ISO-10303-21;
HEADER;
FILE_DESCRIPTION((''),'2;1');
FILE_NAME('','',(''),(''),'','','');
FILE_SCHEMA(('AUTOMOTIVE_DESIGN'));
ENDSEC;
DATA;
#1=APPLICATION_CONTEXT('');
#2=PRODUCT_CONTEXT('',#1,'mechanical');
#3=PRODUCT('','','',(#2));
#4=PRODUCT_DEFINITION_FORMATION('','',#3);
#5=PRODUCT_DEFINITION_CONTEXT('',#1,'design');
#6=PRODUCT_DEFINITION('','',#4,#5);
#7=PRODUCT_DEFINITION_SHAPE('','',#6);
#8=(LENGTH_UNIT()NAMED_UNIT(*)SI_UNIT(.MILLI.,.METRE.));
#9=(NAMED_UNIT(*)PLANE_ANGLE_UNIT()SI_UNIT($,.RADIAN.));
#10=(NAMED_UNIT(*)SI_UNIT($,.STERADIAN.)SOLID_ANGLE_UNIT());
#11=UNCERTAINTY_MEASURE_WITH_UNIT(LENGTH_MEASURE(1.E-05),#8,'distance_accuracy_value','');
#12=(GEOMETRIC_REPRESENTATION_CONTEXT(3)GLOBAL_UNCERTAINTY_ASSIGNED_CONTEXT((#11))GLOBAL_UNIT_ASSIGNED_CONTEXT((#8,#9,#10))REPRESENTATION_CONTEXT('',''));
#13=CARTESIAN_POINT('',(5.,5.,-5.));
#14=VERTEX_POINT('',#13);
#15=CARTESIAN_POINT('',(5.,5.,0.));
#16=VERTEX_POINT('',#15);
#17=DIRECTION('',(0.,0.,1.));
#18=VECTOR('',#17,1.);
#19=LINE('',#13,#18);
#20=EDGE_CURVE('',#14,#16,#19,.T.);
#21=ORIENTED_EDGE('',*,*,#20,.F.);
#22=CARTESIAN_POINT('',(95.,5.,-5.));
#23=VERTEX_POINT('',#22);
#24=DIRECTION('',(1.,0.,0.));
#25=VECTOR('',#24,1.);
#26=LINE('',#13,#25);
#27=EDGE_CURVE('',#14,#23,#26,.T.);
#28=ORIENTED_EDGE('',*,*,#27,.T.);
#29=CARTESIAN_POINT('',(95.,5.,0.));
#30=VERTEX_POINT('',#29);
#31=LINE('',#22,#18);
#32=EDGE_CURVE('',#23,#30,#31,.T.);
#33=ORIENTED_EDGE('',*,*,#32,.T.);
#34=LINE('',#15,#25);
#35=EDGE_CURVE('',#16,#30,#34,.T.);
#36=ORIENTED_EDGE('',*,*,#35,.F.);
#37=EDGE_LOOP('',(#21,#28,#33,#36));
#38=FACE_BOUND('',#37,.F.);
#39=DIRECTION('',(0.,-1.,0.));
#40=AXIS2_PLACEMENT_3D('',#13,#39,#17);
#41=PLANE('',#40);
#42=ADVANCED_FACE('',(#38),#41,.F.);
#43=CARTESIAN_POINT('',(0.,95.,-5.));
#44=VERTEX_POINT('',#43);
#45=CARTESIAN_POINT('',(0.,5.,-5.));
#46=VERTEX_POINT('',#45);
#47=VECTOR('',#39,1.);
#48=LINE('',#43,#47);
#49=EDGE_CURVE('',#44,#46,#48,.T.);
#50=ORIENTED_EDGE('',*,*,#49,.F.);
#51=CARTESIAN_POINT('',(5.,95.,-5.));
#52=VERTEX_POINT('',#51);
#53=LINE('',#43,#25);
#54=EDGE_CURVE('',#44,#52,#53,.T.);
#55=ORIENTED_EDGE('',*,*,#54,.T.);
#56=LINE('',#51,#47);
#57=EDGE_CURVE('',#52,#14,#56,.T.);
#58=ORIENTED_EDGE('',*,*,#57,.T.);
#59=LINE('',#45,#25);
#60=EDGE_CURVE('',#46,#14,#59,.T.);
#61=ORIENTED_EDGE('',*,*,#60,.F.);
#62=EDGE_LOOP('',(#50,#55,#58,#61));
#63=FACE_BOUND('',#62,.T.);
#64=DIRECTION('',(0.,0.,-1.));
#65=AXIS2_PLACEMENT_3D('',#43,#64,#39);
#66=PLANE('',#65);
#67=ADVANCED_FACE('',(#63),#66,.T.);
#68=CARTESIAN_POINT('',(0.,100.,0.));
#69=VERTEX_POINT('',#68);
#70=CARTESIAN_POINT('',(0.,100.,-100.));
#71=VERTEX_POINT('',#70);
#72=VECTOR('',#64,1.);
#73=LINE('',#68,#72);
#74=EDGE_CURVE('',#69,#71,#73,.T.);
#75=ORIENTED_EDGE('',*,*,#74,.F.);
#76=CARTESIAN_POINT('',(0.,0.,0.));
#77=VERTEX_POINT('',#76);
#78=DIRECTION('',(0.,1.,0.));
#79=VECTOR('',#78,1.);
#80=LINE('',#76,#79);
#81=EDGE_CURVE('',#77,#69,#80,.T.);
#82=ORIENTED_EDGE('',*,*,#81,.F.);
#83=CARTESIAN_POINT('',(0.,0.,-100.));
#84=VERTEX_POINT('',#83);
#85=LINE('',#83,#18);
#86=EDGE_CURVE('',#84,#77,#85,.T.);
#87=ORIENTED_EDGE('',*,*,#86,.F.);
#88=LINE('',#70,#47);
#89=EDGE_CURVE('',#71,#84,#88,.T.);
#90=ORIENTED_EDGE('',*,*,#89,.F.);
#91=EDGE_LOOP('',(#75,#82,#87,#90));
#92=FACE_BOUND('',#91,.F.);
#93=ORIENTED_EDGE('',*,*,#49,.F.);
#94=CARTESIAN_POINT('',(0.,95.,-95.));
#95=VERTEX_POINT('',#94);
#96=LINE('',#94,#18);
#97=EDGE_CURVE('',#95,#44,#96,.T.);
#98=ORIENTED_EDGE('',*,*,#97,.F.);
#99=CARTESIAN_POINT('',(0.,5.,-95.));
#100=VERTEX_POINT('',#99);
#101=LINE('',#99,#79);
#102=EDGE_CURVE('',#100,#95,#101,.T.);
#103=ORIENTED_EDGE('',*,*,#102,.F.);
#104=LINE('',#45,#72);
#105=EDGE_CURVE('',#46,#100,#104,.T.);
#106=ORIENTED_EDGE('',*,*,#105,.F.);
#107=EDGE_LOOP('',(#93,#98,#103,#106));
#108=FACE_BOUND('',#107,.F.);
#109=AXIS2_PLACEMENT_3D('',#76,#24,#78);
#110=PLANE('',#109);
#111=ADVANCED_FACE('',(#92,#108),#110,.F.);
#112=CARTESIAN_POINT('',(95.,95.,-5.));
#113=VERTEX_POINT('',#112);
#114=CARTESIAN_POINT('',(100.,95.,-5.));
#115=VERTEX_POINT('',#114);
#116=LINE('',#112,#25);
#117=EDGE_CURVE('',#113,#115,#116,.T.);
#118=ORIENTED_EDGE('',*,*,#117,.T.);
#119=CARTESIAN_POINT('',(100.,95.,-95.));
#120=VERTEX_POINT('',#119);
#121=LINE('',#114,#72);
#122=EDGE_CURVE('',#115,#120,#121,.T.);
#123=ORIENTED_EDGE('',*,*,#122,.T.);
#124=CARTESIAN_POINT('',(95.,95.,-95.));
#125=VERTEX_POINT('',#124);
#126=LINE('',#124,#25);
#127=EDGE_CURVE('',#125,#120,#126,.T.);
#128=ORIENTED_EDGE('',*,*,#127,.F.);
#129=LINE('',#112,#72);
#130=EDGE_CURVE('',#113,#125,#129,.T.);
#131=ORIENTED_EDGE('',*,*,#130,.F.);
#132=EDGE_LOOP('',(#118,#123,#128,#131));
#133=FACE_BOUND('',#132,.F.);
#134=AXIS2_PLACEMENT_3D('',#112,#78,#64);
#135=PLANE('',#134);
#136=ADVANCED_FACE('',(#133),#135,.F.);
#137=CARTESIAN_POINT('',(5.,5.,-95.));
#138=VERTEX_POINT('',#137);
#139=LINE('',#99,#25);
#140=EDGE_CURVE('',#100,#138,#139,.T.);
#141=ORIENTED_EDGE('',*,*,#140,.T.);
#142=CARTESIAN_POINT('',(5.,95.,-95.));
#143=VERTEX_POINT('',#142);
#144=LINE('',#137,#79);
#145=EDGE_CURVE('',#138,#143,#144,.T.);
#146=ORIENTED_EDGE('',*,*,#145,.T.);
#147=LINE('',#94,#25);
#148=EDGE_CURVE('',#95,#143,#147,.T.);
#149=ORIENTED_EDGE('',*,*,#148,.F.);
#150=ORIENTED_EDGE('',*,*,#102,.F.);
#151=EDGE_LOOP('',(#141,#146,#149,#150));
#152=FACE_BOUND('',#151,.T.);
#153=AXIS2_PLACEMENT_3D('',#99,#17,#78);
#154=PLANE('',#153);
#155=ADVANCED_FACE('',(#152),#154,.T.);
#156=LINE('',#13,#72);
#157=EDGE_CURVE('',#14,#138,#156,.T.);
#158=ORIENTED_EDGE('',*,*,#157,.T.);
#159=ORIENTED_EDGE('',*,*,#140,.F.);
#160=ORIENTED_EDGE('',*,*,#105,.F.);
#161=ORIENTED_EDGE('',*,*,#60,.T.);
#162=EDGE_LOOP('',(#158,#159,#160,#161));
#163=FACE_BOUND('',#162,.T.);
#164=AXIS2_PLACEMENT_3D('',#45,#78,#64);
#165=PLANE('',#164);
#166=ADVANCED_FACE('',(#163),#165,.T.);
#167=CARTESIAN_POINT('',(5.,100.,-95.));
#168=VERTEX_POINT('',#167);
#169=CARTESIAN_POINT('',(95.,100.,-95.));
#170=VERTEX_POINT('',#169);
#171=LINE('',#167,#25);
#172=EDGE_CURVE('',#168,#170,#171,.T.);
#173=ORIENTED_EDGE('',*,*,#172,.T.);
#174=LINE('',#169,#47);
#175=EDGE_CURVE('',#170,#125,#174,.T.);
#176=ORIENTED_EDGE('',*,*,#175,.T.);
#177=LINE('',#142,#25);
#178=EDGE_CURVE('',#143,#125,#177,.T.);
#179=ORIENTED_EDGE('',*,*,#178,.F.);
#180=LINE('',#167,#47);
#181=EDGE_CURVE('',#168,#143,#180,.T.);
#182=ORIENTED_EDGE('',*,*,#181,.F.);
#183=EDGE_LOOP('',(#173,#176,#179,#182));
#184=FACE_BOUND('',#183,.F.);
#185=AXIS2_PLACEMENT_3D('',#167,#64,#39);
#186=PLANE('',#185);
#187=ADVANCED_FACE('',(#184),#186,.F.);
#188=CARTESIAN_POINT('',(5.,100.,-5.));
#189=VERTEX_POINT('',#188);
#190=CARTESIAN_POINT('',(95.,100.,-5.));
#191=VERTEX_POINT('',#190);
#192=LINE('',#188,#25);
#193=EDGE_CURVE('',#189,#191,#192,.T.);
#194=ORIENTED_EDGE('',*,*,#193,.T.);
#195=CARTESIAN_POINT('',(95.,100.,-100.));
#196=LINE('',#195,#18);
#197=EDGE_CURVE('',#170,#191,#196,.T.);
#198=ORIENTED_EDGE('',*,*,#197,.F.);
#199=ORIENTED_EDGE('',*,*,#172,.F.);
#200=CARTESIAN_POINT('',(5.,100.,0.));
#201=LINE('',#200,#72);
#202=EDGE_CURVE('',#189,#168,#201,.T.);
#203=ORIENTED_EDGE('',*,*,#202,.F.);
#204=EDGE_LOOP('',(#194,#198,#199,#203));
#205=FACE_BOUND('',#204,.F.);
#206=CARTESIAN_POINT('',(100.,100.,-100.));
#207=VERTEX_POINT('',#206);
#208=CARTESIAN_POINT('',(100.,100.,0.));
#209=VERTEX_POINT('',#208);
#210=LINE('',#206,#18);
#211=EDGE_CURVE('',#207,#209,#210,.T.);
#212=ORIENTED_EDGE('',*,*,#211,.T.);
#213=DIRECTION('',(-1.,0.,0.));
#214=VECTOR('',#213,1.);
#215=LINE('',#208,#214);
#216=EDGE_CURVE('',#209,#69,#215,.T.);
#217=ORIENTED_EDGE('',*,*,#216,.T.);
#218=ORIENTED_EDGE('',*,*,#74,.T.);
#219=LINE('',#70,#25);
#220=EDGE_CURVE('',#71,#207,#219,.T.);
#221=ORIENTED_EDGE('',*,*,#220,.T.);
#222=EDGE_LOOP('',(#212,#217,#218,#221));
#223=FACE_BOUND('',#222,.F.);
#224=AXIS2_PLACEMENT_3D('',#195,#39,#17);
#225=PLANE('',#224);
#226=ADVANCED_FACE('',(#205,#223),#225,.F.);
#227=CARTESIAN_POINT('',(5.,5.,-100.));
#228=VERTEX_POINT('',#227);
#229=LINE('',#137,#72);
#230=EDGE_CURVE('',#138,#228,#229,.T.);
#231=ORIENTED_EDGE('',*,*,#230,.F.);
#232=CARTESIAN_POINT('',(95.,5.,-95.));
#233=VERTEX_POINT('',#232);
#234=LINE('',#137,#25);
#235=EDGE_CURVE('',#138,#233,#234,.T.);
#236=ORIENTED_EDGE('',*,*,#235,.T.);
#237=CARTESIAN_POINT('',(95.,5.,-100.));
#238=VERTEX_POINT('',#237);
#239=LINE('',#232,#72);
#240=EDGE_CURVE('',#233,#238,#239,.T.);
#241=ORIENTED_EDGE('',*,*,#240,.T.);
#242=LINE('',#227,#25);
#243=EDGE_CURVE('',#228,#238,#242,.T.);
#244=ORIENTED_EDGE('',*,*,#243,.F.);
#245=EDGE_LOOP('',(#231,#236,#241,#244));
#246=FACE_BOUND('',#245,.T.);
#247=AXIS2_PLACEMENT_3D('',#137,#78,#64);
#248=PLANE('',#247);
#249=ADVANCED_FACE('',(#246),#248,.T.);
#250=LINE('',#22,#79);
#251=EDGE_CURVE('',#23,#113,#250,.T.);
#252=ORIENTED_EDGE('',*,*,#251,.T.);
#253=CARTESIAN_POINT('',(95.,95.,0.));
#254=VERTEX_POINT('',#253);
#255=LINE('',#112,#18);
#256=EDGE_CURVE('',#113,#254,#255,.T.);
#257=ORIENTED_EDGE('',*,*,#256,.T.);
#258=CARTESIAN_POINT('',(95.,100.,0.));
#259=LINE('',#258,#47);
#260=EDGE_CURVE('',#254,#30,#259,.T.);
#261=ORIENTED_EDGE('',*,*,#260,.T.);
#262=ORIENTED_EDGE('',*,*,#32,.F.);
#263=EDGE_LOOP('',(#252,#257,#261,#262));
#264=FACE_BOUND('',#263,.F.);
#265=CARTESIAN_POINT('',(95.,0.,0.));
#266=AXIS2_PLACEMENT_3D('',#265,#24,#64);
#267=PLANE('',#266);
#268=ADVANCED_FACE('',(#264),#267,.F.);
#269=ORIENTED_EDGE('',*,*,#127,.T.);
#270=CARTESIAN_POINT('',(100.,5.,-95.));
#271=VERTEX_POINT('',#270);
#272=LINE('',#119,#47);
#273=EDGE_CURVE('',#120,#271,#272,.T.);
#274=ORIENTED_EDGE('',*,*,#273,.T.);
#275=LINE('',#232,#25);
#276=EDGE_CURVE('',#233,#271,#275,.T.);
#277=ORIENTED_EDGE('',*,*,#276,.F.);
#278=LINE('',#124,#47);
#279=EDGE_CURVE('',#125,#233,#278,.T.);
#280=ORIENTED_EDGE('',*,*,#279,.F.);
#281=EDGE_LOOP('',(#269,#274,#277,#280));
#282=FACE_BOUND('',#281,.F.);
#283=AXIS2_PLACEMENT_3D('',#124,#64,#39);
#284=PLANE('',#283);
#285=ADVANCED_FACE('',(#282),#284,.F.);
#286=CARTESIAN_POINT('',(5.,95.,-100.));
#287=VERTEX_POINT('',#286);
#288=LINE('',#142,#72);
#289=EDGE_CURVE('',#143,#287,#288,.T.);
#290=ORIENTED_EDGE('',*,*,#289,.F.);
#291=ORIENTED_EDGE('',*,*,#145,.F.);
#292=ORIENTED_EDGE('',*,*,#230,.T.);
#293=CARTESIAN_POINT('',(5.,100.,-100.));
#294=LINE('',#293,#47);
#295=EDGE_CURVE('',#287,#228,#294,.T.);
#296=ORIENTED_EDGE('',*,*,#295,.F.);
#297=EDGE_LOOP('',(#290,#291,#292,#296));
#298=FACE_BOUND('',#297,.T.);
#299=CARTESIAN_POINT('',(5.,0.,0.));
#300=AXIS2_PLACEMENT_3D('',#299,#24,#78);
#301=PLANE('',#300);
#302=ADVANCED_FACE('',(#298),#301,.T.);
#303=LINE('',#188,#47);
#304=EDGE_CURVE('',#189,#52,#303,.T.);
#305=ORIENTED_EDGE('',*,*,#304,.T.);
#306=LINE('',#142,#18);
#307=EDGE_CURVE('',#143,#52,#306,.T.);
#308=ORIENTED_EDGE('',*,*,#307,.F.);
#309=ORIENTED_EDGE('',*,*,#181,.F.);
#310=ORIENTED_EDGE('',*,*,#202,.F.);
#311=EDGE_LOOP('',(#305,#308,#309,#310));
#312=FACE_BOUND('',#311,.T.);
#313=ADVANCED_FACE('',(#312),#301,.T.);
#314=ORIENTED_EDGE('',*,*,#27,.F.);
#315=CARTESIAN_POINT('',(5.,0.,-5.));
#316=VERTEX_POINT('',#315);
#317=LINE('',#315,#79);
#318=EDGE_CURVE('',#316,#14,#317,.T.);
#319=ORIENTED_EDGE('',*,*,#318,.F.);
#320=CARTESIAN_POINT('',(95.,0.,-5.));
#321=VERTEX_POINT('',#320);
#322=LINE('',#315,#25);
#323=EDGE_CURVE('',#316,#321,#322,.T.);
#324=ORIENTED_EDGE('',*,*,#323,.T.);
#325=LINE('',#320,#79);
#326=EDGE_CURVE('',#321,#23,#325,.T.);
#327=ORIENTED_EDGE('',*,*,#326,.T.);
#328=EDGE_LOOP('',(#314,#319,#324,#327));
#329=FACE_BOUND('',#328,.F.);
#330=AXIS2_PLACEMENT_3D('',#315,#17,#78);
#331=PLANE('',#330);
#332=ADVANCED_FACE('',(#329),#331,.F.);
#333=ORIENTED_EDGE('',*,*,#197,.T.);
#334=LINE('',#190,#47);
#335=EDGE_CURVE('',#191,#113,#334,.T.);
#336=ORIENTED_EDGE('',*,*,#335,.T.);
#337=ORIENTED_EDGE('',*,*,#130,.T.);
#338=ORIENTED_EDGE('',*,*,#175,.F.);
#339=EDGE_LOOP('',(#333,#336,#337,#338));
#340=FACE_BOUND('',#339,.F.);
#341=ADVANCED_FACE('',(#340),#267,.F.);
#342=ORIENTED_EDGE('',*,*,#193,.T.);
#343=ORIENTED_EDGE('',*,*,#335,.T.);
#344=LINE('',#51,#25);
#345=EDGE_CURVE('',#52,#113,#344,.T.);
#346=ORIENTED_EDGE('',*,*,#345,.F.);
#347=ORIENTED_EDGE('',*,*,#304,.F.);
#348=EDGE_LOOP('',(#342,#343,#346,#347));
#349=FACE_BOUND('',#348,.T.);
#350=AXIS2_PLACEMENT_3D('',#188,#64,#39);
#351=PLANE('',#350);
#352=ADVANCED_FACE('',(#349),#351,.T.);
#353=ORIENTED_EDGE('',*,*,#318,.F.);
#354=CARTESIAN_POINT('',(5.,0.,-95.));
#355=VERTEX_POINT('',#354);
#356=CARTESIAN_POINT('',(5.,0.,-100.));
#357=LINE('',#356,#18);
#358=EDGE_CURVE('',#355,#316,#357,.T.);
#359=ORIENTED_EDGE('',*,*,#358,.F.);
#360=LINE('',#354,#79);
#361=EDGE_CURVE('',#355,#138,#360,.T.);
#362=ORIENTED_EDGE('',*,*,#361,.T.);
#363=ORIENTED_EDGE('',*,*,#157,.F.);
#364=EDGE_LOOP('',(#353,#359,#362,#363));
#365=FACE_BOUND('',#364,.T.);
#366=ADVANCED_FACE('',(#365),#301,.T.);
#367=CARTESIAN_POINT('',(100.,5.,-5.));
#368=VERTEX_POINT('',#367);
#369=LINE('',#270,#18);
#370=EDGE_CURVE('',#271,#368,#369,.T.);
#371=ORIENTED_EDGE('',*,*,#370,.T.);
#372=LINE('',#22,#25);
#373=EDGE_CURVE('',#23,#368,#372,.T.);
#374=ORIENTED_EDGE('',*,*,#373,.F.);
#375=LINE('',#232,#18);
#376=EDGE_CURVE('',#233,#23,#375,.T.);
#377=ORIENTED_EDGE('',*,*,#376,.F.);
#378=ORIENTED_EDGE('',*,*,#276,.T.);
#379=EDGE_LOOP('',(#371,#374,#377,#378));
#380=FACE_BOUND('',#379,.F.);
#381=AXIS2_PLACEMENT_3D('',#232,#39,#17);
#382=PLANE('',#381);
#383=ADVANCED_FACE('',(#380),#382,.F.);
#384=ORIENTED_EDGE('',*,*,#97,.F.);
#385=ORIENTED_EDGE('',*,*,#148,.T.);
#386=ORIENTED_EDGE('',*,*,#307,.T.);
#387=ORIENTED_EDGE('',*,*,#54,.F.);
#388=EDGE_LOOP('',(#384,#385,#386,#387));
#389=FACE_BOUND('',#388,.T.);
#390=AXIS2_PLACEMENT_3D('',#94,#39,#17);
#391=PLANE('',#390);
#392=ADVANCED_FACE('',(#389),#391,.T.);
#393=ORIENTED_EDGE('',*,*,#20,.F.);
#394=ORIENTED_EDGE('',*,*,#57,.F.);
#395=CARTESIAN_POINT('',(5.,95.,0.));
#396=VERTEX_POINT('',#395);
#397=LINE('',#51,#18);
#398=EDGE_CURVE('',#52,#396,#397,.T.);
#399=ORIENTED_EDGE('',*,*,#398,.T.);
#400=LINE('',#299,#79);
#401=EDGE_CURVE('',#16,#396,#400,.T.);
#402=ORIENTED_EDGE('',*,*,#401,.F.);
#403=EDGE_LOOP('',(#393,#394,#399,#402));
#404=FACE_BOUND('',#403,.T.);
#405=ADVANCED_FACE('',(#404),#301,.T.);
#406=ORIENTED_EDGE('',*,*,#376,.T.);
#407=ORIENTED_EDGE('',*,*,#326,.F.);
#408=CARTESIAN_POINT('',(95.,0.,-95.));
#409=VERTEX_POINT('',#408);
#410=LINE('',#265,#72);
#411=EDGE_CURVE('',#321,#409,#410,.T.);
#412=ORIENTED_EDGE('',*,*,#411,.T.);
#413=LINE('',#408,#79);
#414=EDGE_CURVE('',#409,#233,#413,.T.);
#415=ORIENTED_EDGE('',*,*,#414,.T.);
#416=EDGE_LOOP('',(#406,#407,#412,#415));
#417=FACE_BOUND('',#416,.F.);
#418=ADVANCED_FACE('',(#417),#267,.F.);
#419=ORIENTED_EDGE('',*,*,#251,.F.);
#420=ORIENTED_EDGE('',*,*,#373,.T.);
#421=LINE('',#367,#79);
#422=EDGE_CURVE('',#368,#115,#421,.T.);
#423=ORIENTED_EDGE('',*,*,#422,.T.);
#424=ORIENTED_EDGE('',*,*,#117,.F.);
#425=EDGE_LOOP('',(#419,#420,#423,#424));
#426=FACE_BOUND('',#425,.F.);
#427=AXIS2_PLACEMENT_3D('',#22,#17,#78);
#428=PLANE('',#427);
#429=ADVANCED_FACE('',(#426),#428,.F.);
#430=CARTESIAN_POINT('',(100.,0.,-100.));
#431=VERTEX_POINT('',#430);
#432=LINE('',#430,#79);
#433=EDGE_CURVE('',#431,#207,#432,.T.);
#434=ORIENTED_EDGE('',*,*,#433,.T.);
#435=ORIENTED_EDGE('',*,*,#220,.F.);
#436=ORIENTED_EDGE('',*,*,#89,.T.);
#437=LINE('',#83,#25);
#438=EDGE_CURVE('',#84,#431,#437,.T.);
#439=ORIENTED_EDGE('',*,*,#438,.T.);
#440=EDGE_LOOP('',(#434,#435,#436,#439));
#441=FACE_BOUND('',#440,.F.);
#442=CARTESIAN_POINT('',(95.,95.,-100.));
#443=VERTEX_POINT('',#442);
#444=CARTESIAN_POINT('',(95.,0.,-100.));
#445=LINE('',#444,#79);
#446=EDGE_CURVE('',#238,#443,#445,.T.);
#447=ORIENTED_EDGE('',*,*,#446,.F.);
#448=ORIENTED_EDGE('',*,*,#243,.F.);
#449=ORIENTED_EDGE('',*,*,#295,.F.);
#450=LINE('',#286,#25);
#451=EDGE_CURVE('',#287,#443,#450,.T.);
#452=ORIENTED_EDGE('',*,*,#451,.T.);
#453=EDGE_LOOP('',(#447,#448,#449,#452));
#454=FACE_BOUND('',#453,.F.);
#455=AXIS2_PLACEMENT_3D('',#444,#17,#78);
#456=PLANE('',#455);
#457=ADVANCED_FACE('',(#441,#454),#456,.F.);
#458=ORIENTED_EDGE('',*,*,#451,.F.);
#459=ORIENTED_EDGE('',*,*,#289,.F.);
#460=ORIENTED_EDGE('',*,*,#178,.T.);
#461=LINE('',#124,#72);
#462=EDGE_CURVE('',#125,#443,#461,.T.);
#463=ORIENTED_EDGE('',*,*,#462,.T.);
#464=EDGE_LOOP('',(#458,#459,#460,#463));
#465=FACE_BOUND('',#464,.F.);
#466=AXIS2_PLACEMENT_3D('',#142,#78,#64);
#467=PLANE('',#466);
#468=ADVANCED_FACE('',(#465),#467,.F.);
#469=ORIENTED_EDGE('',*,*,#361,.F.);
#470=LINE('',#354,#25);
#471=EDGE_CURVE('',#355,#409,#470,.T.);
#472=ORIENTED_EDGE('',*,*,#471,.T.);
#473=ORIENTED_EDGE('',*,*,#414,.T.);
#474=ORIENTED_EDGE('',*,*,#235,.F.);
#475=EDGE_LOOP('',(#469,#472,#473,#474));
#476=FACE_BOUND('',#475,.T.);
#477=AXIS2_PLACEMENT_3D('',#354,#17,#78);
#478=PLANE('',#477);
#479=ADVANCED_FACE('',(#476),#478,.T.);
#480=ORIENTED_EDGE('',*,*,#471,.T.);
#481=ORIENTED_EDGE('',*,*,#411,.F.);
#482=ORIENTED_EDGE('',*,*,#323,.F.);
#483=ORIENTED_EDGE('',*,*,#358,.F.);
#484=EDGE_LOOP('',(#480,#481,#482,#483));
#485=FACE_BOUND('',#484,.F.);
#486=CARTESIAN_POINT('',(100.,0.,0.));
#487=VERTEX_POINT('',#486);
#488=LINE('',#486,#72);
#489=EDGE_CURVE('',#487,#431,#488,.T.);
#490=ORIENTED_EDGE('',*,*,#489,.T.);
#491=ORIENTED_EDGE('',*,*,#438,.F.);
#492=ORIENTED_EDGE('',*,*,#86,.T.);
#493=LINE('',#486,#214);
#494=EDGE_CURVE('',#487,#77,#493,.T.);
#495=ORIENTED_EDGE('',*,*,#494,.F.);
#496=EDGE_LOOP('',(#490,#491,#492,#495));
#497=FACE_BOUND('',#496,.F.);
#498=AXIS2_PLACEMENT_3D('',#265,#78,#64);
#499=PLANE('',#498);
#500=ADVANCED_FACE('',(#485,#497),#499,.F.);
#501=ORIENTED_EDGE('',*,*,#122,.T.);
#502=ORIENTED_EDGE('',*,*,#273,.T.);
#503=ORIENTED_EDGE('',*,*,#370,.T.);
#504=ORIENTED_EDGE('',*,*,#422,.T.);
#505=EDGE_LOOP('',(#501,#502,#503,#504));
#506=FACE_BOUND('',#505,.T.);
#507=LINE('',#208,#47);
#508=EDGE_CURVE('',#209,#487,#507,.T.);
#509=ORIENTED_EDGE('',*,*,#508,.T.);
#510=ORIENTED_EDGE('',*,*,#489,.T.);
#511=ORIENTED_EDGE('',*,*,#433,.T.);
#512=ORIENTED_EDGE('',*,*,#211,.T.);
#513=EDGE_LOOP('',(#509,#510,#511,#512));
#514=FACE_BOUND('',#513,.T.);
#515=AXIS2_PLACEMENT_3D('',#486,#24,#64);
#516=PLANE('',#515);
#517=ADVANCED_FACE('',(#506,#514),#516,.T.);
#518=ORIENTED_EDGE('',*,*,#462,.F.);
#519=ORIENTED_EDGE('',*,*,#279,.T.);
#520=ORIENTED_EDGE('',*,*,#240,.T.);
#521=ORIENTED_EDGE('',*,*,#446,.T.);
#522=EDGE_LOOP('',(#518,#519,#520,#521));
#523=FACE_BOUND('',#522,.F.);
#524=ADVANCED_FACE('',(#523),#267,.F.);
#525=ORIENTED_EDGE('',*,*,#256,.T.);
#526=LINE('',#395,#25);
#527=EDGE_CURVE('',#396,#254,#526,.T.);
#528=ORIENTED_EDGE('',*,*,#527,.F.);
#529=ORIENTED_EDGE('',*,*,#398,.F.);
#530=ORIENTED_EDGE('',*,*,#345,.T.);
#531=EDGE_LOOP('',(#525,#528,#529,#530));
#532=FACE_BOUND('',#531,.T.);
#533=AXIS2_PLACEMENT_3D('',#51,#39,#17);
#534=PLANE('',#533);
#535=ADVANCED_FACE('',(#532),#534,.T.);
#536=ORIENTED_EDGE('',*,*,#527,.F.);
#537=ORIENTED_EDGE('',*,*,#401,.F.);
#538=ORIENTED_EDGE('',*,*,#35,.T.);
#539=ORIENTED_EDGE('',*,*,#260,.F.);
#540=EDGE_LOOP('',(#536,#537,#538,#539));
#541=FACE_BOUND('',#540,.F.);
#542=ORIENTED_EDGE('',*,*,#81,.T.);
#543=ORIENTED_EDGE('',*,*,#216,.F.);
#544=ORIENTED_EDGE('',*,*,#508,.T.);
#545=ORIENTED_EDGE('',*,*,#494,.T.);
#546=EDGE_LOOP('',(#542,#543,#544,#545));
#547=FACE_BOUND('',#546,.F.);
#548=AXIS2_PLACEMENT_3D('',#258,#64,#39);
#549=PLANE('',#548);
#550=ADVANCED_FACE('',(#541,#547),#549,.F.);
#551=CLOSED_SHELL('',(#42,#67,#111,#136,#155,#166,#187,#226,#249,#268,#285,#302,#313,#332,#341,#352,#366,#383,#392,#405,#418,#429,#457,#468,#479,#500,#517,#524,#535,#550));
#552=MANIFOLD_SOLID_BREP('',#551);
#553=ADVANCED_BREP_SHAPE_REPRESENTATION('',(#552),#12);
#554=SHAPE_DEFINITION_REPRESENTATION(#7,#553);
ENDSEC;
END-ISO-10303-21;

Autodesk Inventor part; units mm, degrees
ref_plane "YZ Plane" through (0, 0, 0) normal (1, 0, 0) x (0, 1, 0)
ref_plane "XZ Plane" through (0, 0, 0) normal (0, 1, 0) x (-1, 0, 0)
ref_plane "XY Plane" through (0, 0, 0) normal (0, 0, 1) x (1, 0, 0)
sketch "Szkic1" plane through (0, 0, 0) normal (1, 0, 0) x (0, 1, 0)
  line L0 (0, 0) -> (100, 0)
  line L1 (100, 0) -> (100, -100)
  line L2 (100, -100) -> (0, -100)
  line L3 (0, -100) -> (0, 0)
  line L4 (95, -95) -> (95, -5)
  line L5 (95, -5) -> (5, -5)
  line L6 (5, -5) -> (5, -95)
  line L7 (5, -95) -> (95, -95)
  dimension "d0" = 100
  dimension "d1" = 100
  dimension "d2" = 5
extrude "Wyciągnięcie proste1" add sketch "Szkic1" along normal blind 5
sketch "Szkic2" plane through (5, 0, 0) normal (1, 0, 0) x (0, 0, -1)
  line L0 (100, 0) -> (100, 100) projected
  line L1 (100, 100) -> (0, 100) projected
  line L2 (0, 100) -> (0, 0) projected
  line L3 (0, 0) -> (100, 0) projected
  line L4 (95, 95) -> (95, 5) projected
  line L5 (95, 5) -> (5, 5) projected
  line L6 (5, 5) -> (5, 95) projected
  line L7 (5, 95) -> (95, 95) projected
  line L8 (0, 100) -> (5, 100)
  line L9 (5, 100) -> (5, 95)
  line L10 (5, 95) -> (0, 95)
  line L11 (0, 95) -> (0, 100)
  line L12 (5, 95) -> (95, 95) projected
  line L13 (100, 100) -> (95, 100)
  line L14 (95, 100) -> (95, 95)
  line L15 (95, 95) -> (100, 95)
  line L16 (100, 95) -> (100, 100)
  line L17 (95, 95) -> (95, 5) projected
  line L18 (95, 5) -> (100, 5)
  line L19 (100, 5) -> (100, 0)
  line L20 (100, 0) -> (95, 0)
  line L21 (95, 0) -> (95, 5)
  line L22 (5, 5) -> (5, 95) projected
  line L23 (0, 100) -> (0, 0) projected
  line L24 (5, 5) -> (0, 5)
  line L25 (0, 5) -> (0, 0)
  line L26 (0, 0) -> (5, 0)
  line L27 (5, 0) -> (5, 5)
extrude "Wyciągnięcie proste2" add sketch "Szkic2" along normal blind 90 contours L3 L21 L18 L0 | L15 L14 L1 L0 | L3 L2 L24 L27 | L10 L2 L1 L9
sketch "Szkic3" plane through (95, 0, 0) normal (1, 0, 0) x (0, 0, -1)
  line L0 (100, 0) -> (100, 100) projected
  line L1 (0, 0) -> (100, 0) projected
  line L2 (0, 100) -> (0, 0) projected
  line L3 (100, 100) -> (0, 100) projected
  line L4 (95, 95) -> (95, 5) projected
  line L5 (5, 95) -> (95, 95) projected
  line L6 (5, 5) -> (5, 95) projected
  line L7 (95, 5) -> (5, 5) projected
extrude "Wyciągnięcie proste3" add sketch "Szkic3" along normal blind 5
properties part number "wymiar"
